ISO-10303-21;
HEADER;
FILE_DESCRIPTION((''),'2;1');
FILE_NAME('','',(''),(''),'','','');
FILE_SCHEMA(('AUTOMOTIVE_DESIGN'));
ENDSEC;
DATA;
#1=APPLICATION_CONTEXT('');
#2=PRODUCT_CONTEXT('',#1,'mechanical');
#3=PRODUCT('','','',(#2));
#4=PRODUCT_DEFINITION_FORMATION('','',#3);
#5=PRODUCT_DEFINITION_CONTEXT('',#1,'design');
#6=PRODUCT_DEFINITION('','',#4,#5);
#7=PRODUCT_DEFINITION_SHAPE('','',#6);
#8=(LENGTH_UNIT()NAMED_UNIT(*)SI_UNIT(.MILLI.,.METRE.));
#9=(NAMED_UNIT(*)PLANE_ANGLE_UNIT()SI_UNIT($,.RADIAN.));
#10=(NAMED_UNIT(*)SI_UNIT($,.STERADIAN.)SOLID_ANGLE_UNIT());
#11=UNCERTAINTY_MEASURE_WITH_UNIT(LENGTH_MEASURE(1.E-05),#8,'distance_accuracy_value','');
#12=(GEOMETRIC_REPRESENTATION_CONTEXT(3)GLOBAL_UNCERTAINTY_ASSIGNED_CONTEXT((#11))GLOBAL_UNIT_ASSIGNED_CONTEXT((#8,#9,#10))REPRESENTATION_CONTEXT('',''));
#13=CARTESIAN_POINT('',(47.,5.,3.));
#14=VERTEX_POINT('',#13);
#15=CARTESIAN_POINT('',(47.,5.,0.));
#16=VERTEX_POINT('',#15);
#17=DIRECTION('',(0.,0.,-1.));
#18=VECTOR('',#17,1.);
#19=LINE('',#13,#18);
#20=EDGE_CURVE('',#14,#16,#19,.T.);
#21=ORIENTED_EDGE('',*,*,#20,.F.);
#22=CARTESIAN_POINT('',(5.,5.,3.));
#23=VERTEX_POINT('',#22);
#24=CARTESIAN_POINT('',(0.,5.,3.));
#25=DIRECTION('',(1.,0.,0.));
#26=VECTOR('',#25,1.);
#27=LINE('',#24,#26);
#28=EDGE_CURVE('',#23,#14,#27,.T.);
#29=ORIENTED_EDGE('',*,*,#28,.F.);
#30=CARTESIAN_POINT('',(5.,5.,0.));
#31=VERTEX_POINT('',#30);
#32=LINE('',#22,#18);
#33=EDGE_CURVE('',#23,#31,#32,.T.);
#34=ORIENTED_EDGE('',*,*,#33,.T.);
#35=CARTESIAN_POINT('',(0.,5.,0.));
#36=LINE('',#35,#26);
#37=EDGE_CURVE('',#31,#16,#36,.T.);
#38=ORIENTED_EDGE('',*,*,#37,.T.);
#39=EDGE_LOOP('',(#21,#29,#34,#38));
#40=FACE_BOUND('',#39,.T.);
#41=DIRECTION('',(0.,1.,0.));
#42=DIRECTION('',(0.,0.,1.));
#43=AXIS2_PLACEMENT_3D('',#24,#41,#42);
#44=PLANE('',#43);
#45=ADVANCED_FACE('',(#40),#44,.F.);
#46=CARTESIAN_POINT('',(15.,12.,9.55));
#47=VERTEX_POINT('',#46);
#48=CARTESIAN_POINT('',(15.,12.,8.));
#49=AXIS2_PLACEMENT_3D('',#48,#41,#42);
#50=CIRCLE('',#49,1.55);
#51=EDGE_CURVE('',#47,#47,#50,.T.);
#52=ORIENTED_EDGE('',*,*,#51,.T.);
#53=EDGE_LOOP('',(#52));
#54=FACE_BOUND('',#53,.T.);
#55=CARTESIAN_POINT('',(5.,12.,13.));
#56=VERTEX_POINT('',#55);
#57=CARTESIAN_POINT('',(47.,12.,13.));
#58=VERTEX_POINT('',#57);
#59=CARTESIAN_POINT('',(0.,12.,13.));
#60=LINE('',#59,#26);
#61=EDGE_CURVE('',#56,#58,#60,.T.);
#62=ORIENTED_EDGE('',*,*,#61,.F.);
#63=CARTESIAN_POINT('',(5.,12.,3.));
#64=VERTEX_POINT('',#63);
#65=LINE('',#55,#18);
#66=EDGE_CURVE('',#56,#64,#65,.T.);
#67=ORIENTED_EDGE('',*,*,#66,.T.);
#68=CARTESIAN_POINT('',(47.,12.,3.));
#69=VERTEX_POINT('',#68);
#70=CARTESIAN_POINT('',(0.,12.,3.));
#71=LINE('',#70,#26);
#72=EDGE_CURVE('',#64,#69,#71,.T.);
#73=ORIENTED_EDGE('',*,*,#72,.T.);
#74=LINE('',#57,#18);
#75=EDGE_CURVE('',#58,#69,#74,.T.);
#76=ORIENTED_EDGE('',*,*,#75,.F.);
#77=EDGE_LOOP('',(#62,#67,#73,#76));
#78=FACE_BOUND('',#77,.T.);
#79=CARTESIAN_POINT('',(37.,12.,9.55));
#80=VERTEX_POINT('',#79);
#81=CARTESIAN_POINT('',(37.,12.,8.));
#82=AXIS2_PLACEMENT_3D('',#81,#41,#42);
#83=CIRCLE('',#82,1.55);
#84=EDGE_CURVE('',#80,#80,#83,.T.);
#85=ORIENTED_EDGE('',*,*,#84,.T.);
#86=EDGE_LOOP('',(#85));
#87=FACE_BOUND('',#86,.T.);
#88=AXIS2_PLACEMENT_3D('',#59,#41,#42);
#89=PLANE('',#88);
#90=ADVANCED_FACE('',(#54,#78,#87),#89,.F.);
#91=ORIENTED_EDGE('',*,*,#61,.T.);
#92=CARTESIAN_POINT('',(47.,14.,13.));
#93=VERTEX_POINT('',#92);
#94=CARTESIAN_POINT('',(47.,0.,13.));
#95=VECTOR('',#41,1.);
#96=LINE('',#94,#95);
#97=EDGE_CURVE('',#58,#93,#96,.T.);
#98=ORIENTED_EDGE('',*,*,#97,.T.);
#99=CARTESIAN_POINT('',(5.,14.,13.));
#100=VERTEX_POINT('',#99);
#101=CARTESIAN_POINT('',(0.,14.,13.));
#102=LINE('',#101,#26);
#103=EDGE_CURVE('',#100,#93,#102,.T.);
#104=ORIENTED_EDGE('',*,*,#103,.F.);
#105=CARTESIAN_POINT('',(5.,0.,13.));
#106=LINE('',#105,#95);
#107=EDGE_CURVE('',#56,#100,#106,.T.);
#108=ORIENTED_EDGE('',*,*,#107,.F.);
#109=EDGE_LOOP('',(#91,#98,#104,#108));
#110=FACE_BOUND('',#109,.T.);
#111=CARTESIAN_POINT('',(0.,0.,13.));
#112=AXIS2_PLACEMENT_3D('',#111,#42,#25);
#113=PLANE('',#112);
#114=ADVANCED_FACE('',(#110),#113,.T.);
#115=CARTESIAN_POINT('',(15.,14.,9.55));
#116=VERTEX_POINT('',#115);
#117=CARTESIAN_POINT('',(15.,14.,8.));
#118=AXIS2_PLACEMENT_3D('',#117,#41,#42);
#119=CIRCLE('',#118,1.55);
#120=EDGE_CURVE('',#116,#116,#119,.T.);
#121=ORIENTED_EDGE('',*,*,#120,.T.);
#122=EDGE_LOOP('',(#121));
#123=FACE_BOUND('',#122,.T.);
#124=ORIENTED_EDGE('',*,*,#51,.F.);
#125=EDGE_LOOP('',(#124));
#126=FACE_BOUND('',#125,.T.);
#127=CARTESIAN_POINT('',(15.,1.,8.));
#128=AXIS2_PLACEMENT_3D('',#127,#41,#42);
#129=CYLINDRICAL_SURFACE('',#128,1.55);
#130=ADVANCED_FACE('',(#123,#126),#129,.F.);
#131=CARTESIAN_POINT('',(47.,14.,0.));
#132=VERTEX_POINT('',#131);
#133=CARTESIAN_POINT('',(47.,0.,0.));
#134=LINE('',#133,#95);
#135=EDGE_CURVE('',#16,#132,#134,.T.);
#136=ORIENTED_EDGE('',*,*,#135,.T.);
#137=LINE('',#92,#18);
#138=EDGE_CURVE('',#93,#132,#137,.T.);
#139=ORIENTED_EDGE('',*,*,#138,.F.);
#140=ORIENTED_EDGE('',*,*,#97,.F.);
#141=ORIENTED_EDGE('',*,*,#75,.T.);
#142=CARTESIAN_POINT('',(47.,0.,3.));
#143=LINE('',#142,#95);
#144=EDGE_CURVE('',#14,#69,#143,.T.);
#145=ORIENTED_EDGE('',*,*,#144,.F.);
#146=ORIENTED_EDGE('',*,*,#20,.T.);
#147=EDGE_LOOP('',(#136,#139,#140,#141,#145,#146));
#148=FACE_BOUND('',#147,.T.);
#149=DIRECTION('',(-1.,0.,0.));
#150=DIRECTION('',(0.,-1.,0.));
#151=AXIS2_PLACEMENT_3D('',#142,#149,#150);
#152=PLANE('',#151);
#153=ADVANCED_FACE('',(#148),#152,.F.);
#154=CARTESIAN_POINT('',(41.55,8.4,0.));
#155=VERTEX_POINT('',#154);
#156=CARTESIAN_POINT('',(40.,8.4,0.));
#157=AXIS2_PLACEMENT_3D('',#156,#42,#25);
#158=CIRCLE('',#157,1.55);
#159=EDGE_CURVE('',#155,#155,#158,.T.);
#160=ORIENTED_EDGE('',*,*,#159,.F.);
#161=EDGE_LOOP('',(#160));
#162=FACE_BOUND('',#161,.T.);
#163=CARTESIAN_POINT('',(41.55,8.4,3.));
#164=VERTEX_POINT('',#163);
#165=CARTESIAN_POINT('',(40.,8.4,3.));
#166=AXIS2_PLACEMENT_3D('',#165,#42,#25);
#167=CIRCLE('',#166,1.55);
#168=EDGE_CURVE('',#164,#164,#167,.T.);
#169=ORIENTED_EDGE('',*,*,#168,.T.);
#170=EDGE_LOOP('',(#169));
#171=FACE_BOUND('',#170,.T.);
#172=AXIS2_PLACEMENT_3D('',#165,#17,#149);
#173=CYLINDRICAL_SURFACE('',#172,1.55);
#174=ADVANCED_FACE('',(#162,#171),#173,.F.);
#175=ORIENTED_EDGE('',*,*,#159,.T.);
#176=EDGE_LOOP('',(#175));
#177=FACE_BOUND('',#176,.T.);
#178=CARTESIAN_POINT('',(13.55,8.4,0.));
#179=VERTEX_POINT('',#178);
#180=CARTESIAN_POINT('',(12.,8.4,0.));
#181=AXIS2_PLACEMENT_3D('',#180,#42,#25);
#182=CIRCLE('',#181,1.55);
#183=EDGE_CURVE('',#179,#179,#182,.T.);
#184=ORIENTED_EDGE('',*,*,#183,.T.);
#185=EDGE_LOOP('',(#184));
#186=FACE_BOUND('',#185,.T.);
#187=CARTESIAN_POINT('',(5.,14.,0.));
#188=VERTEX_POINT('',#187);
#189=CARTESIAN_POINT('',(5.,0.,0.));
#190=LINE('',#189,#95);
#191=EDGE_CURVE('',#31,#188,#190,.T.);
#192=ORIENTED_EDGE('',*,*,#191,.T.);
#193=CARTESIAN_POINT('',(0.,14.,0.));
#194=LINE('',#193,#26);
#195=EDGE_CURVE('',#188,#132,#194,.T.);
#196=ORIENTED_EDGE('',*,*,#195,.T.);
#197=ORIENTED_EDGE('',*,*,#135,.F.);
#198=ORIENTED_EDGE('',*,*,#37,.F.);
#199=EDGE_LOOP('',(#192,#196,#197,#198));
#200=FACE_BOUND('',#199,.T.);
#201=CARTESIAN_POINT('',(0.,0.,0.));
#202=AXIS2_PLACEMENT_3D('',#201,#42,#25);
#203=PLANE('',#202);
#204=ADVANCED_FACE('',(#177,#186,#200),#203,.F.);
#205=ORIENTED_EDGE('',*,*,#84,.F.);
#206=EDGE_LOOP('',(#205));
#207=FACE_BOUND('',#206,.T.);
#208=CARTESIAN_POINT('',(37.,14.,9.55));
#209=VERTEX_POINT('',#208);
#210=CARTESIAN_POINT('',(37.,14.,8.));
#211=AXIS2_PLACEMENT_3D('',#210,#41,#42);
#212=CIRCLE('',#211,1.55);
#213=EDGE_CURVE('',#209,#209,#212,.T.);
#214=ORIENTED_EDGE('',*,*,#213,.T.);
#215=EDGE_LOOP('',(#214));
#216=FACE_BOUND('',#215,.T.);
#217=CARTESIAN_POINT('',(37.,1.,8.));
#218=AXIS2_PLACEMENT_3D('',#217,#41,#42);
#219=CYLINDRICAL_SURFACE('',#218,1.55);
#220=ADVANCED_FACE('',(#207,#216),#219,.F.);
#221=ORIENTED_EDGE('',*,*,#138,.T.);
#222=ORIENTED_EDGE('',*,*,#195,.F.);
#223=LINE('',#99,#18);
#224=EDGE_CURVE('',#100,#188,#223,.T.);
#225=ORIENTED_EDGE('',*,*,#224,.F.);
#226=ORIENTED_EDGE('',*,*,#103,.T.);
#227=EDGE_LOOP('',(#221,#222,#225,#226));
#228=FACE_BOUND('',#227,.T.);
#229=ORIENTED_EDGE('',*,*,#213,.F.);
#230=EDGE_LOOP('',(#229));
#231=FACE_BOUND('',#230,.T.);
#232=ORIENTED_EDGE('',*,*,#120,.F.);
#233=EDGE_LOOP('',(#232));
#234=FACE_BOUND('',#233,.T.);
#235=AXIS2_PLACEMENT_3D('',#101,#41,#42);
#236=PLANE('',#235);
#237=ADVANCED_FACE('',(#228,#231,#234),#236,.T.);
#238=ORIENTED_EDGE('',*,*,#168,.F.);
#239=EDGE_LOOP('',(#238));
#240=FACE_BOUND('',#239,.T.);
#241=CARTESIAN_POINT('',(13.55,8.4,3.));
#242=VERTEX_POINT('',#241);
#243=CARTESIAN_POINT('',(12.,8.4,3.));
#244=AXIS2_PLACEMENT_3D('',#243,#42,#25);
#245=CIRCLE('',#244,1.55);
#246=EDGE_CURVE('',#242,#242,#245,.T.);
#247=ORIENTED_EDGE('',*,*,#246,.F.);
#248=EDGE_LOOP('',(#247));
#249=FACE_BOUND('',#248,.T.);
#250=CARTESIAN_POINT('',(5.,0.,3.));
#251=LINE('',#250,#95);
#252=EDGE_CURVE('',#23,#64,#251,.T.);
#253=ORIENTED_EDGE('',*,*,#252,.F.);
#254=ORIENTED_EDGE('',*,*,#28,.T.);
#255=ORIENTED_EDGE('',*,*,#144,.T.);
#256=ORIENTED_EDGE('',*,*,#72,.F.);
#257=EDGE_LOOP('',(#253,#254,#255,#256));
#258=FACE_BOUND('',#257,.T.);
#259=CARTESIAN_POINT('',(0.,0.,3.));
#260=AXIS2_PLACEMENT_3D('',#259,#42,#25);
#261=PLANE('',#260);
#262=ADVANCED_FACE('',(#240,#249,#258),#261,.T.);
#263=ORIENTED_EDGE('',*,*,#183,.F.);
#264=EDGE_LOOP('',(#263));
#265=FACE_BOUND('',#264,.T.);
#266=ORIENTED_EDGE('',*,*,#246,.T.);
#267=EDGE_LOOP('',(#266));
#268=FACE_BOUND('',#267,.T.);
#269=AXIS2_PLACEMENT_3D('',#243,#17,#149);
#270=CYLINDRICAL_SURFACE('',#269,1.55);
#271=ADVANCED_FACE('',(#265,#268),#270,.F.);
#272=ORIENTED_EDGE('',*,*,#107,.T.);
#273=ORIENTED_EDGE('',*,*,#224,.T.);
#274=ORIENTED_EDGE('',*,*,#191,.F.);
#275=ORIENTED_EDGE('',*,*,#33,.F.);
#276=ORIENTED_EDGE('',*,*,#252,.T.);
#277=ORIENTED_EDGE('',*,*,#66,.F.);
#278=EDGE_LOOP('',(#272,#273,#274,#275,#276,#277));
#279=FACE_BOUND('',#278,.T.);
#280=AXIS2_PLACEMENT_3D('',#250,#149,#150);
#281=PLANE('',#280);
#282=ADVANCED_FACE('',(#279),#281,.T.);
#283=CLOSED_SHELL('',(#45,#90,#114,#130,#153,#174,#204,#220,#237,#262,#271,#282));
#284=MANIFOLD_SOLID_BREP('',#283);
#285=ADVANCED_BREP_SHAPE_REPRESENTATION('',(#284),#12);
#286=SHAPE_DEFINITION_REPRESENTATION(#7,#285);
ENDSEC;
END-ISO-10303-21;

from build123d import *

# Parameters (mm, degrees)
SKETCH_1_W          = 42
SKETCH_1_H          = 7
SKETCH_1_R          = 1.55
EXTRUDE_5_DEPTH     = 3
SKETCH_1_6_W        = 42
SKETCH_1_6_H        = 2
EXTRUDE_6_DEPTH     = 13
SKETCH_4_R          = 1.55
CUT_EXTRUDE_1_DEPTH = 13


with BuildPart() as part:
    # 草图1 → 凸台-拉伸5 (new body)
    with BuildSketch(Plane.XY):
        with Locations((26, 8.5)):
            Rectangle(SKETCH_1_W, SKETCH_1_H)
        with Locations((12, 8.4)):
            Circle(SKETCH_1_R, mode=Mode.SUBTRACT)
        with Locations((40, 8.4)):
            Circle(SKETCH_1_R, mode=Mode.SUBTRACT)
    extrude(amount=EXTRUDE_5_DEPTH)

    # 草图1<6> → 凸台-拉伸6 (add)
    with BuildSketch(Plane.XY):
        with Locations((26, 13)):
            Rectangle(SKETCH_1_6_W, SKETCH_1_6_H)
    extrude(amount=EXTRUDE_6_DEPTH)

    # 草图4 → 切除-拉伸1 (cut)
    with BuildSketch(Plane(origin=(0, 14, 0), x_dir=(1, 0, 0), z_dir=(0, 1, 0))):
        with Locations((15, -8)):
            Circle(SKETCH_4_R)
        with Locations((37, -8)):
            Circle(SKETCH_4_R)
    extrude(amount=-CUT_EXTRUDE_1_DEPTH, mode=Mode.SUBTRACT)


solid = part.part
